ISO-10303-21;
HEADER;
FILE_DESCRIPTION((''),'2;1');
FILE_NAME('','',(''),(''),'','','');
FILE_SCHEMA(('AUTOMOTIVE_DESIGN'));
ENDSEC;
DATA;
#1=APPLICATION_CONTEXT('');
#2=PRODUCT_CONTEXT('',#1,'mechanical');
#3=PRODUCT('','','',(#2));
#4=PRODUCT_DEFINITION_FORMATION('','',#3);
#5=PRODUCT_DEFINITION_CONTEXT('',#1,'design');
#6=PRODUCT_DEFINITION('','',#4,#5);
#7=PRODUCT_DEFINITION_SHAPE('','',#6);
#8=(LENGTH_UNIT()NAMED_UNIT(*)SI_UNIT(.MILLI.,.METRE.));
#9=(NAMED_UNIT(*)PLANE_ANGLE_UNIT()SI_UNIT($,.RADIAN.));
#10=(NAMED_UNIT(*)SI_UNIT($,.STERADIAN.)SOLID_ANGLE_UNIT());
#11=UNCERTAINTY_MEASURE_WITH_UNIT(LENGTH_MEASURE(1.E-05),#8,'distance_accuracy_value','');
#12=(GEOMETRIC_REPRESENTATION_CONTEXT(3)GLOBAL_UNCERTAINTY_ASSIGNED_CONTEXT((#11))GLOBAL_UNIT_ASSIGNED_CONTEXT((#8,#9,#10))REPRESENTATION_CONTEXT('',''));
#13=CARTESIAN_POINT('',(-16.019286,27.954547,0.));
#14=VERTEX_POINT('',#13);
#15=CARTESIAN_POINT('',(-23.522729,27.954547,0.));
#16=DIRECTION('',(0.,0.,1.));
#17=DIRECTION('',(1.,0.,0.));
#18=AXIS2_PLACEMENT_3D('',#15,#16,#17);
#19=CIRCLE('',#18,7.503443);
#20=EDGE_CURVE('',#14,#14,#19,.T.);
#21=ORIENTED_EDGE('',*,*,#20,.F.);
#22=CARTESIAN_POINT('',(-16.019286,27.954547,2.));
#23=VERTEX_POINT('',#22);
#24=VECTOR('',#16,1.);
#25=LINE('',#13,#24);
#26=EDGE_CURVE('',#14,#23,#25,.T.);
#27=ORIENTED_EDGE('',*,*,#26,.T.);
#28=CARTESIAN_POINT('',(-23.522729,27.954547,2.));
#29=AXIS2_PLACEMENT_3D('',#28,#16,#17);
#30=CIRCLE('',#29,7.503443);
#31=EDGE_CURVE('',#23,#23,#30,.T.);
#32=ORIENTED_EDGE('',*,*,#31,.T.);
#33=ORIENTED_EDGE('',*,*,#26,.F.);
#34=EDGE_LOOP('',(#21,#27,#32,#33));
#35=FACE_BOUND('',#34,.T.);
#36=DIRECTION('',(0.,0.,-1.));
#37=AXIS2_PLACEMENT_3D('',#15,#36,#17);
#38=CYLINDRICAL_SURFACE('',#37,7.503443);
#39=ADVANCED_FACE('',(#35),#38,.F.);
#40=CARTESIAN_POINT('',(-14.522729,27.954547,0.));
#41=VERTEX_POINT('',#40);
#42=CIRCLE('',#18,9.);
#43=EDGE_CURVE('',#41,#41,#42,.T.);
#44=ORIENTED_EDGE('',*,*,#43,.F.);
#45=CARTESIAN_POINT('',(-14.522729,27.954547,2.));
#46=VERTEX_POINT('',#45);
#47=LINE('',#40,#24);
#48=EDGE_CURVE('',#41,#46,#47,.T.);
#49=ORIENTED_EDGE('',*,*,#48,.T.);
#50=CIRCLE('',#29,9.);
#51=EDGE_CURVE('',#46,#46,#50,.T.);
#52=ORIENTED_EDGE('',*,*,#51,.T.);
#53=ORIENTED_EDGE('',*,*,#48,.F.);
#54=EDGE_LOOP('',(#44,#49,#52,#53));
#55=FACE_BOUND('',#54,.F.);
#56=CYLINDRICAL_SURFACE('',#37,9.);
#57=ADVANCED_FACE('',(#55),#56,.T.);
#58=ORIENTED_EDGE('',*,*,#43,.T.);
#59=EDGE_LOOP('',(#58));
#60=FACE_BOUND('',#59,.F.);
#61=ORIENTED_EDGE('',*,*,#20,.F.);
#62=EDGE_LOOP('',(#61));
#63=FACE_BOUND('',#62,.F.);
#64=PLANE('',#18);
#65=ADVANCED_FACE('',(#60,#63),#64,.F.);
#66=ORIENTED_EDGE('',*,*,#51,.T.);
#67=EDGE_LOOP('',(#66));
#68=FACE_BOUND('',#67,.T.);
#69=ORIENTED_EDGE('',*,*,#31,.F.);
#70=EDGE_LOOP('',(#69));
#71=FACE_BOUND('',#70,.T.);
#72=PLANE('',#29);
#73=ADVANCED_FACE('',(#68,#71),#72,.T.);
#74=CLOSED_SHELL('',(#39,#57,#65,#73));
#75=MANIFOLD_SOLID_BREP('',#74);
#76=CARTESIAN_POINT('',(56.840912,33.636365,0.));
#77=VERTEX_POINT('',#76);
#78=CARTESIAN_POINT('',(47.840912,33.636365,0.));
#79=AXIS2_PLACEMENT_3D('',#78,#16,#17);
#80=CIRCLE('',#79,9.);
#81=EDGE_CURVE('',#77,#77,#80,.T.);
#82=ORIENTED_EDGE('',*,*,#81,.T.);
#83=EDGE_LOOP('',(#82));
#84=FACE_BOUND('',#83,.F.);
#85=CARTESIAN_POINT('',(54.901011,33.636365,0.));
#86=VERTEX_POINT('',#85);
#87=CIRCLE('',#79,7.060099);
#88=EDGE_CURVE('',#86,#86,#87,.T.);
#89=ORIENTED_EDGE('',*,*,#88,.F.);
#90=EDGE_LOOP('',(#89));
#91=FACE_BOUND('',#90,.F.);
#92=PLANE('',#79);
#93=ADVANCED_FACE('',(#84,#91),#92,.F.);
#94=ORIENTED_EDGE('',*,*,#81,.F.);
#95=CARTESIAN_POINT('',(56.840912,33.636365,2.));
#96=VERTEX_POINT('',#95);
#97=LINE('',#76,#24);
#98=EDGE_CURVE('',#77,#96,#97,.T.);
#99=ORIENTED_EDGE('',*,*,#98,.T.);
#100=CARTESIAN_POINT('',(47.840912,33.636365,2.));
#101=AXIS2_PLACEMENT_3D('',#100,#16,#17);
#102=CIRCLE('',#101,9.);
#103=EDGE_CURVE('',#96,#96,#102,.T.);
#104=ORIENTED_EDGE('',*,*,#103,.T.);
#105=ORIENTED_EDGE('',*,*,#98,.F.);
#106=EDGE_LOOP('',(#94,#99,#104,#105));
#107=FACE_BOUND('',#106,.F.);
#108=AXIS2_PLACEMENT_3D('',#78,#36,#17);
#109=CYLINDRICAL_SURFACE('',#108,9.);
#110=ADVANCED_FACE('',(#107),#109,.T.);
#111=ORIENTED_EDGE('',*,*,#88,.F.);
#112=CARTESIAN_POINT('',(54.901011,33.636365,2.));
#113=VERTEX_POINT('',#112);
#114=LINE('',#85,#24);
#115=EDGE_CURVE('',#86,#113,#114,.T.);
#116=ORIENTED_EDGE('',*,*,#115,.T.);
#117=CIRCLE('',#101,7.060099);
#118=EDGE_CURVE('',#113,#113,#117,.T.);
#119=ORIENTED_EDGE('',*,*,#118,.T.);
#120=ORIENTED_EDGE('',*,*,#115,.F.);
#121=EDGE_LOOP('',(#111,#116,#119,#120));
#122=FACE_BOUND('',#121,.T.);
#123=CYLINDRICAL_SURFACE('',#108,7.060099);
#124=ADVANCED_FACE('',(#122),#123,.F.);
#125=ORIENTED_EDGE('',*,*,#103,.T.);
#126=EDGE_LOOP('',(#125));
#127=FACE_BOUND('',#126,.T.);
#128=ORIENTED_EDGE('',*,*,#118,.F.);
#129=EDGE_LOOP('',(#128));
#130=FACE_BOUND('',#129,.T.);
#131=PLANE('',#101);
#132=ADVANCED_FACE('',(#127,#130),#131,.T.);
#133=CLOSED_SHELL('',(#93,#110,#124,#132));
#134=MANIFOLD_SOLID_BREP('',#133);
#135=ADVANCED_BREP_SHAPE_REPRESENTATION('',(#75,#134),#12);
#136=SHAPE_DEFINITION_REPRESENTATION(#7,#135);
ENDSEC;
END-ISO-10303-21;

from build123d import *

# Parameters (mm, degrees)
F0_R     = 9
F0_R_2   = 7.503443
F1_DEPTH = 2
F0_R_3   = 7.060099
F2_DEPTH = 2


with BuildPart() as f1:
    # F0 (on Top) → F1 (new body)
    with BuildSketch(Plane.XY):
        with Locations((-23.522729, 27.954547)):
            Circle(F0_R)
        with Locations((-23.522729, 27.954547)):
            Circle(F0_R_2, mode=Mode.SUBTRACT)
    extrude(amount=F1_DEPTH)


with BuildPart() as f2:
    # F0 (on Top) → F2 (new body)
    with BuildSketch(Plane.XY):
        with Locations((47.840912, 33.636365)):
            Circle(F0_R)
        with Locations((47.840912, 33.636365)):
            Circle(F0_R_3, mode=Mode.SUBTRACT)
    extrude(amount=F2_DEPTH)


solid = Compound([f1.part, f2.part])
